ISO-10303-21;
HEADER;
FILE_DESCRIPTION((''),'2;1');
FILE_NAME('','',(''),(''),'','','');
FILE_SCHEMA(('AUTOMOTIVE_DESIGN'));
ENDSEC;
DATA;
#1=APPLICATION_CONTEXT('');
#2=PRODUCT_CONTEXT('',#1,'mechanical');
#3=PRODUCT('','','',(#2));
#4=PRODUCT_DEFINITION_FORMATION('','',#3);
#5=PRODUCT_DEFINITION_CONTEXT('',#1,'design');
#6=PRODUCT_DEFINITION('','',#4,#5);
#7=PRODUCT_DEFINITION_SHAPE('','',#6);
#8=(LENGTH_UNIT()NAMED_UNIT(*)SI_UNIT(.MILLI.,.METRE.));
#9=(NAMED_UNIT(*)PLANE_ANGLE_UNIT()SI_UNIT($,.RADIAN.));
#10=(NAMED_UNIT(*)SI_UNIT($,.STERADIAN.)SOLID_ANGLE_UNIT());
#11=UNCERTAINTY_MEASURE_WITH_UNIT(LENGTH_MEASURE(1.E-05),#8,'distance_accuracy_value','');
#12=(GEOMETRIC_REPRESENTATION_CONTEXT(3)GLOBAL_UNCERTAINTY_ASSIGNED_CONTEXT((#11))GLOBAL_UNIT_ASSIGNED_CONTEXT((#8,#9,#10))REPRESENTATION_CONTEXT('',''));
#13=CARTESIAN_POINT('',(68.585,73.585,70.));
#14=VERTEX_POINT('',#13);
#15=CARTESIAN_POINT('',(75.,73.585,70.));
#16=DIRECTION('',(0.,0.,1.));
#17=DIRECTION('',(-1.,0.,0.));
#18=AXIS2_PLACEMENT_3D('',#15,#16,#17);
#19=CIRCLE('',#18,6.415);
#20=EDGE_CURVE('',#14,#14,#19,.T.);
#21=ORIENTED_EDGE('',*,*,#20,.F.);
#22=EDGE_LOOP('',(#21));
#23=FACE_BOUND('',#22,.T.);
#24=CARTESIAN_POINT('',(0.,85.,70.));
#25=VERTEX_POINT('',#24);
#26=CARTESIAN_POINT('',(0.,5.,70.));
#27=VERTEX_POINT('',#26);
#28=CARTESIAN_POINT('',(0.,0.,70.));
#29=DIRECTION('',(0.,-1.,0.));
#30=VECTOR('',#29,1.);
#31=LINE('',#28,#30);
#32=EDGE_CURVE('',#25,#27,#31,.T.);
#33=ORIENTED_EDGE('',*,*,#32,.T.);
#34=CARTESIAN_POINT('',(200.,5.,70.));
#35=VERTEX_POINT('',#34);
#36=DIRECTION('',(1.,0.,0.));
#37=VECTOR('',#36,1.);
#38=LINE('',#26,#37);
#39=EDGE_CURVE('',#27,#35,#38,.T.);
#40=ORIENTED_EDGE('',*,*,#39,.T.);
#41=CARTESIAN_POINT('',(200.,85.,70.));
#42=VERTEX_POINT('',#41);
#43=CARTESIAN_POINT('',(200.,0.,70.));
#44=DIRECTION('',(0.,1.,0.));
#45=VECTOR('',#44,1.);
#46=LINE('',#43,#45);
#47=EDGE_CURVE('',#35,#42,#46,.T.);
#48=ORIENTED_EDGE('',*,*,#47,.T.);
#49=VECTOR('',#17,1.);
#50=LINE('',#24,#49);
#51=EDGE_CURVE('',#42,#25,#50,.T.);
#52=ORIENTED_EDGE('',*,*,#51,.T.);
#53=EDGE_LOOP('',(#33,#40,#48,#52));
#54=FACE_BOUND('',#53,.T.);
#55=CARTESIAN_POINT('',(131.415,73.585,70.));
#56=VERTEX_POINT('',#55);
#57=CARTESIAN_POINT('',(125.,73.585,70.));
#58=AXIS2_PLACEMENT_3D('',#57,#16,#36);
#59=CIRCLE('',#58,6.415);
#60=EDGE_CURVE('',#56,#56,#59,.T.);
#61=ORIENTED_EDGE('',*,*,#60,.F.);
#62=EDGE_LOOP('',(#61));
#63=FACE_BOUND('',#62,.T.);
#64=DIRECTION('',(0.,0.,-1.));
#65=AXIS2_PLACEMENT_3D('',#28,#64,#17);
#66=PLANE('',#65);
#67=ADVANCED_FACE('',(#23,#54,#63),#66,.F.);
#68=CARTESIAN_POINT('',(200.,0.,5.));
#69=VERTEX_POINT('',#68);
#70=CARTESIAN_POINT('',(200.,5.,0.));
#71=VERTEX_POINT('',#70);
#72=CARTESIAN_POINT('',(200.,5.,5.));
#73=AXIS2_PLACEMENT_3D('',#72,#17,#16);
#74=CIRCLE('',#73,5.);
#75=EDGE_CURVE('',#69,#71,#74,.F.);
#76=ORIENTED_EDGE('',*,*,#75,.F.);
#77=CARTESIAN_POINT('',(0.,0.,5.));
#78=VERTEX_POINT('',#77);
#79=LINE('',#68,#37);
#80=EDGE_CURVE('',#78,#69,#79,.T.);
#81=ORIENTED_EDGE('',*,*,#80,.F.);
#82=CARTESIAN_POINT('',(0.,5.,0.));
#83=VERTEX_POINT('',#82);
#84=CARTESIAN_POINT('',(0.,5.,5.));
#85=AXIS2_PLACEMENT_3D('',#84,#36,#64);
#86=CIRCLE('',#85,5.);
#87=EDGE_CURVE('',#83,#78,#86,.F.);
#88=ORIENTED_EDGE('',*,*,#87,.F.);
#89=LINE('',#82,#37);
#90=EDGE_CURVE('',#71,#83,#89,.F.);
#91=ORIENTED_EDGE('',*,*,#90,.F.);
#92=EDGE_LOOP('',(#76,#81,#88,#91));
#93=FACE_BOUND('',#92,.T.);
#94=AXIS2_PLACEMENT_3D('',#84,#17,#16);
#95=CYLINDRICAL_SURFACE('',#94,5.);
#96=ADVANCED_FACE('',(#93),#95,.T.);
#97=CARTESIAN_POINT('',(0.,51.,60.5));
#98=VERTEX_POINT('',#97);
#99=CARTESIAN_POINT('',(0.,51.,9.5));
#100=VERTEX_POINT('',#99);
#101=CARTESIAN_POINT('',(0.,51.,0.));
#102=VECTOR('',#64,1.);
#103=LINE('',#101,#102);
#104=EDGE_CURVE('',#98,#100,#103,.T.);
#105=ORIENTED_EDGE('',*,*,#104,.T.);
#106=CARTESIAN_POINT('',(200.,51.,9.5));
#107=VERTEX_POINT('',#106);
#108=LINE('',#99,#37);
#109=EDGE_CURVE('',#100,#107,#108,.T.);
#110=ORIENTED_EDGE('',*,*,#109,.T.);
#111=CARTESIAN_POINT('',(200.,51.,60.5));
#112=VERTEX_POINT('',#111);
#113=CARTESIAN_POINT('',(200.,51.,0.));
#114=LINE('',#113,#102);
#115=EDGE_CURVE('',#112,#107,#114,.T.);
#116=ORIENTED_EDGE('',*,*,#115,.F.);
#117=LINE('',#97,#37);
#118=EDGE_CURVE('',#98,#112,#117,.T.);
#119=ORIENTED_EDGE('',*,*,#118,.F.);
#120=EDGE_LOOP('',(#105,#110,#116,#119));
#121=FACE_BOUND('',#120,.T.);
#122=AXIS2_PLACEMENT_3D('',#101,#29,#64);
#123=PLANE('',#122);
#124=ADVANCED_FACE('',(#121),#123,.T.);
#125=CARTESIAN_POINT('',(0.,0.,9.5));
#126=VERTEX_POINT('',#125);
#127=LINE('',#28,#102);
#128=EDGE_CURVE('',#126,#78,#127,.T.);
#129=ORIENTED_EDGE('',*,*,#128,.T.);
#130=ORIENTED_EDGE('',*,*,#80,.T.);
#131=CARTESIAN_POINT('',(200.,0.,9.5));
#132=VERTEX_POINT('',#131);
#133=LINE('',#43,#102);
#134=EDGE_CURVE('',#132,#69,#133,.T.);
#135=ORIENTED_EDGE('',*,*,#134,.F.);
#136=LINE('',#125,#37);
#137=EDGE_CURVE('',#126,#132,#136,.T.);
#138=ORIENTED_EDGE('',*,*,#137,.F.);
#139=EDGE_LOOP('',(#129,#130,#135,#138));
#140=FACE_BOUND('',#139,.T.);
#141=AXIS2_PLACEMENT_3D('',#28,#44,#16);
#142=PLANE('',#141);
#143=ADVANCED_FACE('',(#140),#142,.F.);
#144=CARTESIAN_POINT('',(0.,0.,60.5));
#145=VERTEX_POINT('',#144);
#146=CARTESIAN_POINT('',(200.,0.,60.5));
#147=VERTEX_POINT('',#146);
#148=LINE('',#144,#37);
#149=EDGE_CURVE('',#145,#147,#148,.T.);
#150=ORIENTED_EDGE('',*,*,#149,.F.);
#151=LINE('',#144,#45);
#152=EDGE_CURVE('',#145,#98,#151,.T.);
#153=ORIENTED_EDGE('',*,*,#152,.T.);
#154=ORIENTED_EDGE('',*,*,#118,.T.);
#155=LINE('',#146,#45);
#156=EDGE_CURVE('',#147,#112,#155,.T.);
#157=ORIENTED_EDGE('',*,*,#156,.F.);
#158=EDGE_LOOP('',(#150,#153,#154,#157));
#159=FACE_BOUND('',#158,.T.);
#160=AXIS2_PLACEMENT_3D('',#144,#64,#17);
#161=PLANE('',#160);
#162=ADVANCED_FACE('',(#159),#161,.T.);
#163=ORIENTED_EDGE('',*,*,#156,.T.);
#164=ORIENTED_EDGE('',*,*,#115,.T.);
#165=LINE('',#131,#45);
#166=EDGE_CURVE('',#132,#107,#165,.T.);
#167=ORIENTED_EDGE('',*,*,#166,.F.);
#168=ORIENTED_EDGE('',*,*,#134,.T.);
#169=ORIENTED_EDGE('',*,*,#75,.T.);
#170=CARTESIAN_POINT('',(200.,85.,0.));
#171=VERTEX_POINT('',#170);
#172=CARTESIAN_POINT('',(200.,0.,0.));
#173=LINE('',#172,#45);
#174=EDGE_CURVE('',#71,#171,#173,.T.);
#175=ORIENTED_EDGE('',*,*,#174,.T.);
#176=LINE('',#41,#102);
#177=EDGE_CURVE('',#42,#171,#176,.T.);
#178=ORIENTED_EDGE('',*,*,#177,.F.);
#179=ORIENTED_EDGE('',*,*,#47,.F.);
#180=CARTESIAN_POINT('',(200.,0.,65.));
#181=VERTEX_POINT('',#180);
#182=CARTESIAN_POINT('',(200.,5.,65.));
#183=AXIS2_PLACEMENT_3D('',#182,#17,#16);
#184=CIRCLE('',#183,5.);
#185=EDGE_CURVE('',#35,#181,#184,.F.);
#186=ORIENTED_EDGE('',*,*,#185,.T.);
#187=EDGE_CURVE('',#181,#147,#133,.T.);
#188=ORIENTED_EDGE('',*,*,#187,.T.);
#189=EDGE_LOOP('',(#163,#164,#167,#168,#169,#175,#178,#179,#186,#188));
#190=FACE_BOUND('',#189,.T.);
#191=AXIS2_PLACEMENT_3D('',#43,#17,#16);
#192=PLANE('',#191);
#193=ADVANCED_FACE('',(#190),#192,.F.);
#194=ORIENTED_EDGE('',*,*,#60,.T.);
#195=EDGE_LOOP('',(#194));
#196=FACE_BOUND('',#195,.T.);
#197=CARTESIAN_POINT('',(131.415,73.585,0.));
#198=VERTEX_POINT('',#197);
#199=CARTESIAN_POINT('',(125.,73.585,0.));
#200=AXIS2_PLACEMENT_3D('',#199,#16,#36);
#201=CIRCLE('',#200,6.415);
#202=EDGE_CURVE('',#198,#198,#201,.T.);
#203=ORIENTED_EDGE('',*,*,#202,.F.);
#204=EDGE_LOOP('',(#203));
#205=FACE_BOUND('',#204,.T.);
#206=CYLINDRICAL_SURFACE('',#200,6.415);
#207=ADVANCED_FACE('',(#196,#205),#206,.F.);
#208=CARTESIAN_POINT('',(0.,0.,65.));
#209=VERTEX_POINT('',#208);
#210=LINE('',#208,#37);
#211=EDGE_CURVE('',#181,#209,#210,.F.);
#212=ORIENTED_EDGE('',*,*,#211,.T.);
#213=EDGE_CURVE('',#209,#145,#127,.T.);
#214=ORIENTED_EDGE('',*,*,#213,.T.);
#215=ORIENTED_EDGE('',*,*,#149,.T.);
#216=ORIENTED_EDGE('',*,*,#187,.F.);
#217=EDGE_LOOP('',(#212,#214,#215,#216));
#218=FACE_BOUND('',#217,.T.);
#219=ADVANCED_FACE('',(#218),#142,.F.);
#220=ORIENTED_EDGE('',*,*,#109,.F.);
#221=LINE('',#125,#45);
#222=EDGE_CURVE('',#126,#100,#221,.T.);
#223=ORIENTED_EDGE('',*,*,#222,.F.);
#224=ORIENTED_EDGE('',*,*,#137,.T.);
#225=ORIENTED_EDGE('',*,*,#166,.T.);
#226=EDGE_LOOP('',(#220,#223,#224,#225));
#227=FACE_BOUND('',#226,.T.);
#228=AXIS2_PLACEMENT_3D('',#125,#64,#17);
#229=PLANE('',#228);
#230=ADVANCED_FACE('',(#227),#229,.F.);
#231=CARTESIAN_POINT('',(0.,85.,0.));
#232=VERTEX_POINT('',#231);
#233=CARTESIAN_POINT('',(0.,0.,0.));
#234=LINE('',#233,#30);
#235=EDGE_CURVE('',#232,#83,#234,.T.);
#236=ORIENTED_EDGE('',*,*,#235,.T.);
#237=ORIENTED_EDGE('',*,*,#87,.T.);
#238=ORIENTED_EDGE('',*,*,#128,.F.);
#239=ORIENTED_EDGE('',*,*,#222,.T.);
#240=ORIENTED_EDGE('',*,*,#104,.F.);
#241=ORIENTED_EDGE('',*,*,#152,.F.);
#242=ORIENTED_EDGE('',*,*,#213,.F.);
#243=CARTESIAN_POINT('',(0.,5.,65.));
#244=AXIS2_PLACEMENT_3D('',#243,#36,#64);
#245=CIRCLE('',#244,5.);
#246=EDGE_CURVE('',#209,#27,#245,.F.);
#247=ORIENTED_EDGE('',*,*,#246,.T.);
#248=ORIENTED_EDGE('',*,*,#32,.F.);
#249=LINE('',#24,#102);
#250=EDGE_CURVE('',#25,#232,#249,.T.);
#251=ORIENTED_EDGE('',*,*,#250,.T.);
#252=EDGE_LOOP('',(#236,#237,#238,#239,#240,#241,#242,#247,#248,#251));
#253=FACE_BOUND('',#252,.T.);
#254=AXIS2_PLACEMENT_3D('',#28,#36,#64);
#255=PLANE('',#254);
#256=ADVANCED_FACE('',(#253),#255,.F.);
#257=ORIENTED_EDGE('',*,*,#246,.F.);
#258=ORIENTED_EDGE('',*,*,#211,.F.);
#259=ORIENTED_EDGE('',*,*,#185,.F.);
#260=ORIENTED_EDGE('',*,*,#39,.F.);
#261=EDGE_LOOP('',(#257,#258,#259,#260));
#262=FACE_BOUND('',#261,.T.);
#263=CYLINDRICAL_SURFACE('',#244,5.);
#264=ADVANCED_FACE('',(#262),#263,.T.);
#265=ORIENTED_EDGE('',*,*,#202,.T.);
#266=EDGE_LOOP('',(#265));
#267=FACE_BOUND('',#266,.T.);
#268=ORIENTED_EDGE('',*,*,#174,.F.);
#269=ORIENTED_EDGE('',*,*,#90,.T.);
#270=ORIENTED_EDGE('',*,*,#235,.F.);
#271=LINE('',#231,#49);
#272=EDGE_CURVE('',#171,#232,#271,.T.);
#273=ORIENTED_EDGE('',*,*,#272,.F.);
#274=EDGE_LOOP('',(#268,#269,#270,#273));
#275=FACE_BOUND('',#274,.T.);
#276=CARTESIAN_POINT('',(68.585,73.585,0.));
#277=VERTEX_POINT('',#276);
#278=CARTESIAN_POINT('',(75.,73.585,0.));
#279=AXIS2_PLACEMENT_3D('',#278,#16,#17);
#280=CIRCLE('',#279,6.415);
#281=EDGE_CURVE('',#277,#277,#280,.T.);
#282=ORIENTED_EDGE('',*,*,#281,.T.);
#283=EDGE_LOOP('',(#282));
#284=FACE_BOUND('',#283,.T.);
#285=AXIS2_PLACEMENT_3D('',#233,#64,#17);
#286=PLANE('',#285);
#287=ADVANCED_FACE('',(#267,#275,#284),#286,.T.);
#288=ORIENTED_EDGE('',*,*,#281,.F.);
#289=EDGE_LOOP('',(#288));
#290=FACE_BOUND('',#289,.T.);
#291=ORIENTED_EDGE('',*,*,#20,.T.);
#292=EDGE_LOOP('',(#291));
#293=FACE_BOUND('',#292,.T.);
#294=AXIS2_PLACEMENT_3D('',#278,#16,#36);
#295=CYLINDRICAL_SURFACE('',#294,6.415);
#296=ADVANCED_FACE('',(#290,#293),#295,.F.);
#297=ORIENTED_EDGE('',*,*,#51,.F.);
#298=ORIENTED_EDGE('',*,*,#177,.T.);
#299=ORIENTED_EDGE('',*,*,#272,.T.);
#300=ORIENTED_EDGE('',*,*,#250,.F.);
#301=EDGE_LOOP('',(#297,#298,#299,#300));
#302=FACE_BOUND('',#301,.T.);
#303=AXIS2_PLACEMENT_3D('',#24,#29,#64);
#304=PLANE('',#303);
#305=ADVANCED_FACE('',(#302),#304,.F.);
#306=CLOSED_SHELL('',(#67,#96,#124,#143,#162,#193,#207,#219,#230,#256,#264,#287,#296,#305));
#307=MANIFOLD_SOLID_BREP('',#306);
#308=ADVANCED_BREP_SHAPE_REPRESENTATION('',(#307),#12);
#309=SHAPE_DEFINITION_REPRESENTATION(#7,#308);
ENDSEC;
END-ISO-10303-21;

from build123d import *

# Parameters (mm, degrees)
SKETCH2_W           = 200
SKETCH2_H           = 85
BOSS_EXTRUDE1_DEPTH = 70
SKETCH3_W           = 51
SKETCH3_H           = 51
CUT_EXTRUDE1_DEPTH  = 229.309001137
FILLET1_R           = 5
SKETCH4_R           = 6.415
CUT_EXTRUDE2_DEPTH  = 229.309001137


with BuildPart() as part:
    # Sketch2 → Boss-Extrude1 (new body)
    with BuildSketch(Plane.XY):
        with Locations((100, 42.5)):
            Rectangle(SKETCH2_W, SKETCH2_H)
    extrude(amount=BOSS_EXTRUDE1_DEPTH)

    # Sketch3 → Cut-Extrude1 (cut, through all)
    with BuildSketch(Plane(origin=(200, 0, 0), x_dir=(0, 0, -1), z_dir=(1, 0, 0))):
        with Locations((-35, 25.5)):
            Rectangle(SKETCH3_W, SKETCH3_H)
    extrude(amount=-CUT_EXTRUDE1_DEPTH, mode=Mode.SUBTRACT)

    # Fillet1
    fillet1_edges = [part.edges().sort_by_distance(p)[0] for p in [
        (100, 0, 0),
        (100, 0, 70),
    ]]
    fillet(fillet1_edges, radius=FILLET1_R)

    # Sketch4 → Cut-Extrude2 (cut, through all)
    with BuildSketch(Plane.XY.offset(70)):
        with Locations((125, 73.585)):
            Circle(SKETCH4_R)
        with Locations(Location((75, 73.585, 0), (0, 0, 180))):
            Circle(SKETCH4_R)
    extrude(amount=-CUT_EXTRUDE2_DEPTH, mode=Mode.SUBTRACT)


solid = part.part
